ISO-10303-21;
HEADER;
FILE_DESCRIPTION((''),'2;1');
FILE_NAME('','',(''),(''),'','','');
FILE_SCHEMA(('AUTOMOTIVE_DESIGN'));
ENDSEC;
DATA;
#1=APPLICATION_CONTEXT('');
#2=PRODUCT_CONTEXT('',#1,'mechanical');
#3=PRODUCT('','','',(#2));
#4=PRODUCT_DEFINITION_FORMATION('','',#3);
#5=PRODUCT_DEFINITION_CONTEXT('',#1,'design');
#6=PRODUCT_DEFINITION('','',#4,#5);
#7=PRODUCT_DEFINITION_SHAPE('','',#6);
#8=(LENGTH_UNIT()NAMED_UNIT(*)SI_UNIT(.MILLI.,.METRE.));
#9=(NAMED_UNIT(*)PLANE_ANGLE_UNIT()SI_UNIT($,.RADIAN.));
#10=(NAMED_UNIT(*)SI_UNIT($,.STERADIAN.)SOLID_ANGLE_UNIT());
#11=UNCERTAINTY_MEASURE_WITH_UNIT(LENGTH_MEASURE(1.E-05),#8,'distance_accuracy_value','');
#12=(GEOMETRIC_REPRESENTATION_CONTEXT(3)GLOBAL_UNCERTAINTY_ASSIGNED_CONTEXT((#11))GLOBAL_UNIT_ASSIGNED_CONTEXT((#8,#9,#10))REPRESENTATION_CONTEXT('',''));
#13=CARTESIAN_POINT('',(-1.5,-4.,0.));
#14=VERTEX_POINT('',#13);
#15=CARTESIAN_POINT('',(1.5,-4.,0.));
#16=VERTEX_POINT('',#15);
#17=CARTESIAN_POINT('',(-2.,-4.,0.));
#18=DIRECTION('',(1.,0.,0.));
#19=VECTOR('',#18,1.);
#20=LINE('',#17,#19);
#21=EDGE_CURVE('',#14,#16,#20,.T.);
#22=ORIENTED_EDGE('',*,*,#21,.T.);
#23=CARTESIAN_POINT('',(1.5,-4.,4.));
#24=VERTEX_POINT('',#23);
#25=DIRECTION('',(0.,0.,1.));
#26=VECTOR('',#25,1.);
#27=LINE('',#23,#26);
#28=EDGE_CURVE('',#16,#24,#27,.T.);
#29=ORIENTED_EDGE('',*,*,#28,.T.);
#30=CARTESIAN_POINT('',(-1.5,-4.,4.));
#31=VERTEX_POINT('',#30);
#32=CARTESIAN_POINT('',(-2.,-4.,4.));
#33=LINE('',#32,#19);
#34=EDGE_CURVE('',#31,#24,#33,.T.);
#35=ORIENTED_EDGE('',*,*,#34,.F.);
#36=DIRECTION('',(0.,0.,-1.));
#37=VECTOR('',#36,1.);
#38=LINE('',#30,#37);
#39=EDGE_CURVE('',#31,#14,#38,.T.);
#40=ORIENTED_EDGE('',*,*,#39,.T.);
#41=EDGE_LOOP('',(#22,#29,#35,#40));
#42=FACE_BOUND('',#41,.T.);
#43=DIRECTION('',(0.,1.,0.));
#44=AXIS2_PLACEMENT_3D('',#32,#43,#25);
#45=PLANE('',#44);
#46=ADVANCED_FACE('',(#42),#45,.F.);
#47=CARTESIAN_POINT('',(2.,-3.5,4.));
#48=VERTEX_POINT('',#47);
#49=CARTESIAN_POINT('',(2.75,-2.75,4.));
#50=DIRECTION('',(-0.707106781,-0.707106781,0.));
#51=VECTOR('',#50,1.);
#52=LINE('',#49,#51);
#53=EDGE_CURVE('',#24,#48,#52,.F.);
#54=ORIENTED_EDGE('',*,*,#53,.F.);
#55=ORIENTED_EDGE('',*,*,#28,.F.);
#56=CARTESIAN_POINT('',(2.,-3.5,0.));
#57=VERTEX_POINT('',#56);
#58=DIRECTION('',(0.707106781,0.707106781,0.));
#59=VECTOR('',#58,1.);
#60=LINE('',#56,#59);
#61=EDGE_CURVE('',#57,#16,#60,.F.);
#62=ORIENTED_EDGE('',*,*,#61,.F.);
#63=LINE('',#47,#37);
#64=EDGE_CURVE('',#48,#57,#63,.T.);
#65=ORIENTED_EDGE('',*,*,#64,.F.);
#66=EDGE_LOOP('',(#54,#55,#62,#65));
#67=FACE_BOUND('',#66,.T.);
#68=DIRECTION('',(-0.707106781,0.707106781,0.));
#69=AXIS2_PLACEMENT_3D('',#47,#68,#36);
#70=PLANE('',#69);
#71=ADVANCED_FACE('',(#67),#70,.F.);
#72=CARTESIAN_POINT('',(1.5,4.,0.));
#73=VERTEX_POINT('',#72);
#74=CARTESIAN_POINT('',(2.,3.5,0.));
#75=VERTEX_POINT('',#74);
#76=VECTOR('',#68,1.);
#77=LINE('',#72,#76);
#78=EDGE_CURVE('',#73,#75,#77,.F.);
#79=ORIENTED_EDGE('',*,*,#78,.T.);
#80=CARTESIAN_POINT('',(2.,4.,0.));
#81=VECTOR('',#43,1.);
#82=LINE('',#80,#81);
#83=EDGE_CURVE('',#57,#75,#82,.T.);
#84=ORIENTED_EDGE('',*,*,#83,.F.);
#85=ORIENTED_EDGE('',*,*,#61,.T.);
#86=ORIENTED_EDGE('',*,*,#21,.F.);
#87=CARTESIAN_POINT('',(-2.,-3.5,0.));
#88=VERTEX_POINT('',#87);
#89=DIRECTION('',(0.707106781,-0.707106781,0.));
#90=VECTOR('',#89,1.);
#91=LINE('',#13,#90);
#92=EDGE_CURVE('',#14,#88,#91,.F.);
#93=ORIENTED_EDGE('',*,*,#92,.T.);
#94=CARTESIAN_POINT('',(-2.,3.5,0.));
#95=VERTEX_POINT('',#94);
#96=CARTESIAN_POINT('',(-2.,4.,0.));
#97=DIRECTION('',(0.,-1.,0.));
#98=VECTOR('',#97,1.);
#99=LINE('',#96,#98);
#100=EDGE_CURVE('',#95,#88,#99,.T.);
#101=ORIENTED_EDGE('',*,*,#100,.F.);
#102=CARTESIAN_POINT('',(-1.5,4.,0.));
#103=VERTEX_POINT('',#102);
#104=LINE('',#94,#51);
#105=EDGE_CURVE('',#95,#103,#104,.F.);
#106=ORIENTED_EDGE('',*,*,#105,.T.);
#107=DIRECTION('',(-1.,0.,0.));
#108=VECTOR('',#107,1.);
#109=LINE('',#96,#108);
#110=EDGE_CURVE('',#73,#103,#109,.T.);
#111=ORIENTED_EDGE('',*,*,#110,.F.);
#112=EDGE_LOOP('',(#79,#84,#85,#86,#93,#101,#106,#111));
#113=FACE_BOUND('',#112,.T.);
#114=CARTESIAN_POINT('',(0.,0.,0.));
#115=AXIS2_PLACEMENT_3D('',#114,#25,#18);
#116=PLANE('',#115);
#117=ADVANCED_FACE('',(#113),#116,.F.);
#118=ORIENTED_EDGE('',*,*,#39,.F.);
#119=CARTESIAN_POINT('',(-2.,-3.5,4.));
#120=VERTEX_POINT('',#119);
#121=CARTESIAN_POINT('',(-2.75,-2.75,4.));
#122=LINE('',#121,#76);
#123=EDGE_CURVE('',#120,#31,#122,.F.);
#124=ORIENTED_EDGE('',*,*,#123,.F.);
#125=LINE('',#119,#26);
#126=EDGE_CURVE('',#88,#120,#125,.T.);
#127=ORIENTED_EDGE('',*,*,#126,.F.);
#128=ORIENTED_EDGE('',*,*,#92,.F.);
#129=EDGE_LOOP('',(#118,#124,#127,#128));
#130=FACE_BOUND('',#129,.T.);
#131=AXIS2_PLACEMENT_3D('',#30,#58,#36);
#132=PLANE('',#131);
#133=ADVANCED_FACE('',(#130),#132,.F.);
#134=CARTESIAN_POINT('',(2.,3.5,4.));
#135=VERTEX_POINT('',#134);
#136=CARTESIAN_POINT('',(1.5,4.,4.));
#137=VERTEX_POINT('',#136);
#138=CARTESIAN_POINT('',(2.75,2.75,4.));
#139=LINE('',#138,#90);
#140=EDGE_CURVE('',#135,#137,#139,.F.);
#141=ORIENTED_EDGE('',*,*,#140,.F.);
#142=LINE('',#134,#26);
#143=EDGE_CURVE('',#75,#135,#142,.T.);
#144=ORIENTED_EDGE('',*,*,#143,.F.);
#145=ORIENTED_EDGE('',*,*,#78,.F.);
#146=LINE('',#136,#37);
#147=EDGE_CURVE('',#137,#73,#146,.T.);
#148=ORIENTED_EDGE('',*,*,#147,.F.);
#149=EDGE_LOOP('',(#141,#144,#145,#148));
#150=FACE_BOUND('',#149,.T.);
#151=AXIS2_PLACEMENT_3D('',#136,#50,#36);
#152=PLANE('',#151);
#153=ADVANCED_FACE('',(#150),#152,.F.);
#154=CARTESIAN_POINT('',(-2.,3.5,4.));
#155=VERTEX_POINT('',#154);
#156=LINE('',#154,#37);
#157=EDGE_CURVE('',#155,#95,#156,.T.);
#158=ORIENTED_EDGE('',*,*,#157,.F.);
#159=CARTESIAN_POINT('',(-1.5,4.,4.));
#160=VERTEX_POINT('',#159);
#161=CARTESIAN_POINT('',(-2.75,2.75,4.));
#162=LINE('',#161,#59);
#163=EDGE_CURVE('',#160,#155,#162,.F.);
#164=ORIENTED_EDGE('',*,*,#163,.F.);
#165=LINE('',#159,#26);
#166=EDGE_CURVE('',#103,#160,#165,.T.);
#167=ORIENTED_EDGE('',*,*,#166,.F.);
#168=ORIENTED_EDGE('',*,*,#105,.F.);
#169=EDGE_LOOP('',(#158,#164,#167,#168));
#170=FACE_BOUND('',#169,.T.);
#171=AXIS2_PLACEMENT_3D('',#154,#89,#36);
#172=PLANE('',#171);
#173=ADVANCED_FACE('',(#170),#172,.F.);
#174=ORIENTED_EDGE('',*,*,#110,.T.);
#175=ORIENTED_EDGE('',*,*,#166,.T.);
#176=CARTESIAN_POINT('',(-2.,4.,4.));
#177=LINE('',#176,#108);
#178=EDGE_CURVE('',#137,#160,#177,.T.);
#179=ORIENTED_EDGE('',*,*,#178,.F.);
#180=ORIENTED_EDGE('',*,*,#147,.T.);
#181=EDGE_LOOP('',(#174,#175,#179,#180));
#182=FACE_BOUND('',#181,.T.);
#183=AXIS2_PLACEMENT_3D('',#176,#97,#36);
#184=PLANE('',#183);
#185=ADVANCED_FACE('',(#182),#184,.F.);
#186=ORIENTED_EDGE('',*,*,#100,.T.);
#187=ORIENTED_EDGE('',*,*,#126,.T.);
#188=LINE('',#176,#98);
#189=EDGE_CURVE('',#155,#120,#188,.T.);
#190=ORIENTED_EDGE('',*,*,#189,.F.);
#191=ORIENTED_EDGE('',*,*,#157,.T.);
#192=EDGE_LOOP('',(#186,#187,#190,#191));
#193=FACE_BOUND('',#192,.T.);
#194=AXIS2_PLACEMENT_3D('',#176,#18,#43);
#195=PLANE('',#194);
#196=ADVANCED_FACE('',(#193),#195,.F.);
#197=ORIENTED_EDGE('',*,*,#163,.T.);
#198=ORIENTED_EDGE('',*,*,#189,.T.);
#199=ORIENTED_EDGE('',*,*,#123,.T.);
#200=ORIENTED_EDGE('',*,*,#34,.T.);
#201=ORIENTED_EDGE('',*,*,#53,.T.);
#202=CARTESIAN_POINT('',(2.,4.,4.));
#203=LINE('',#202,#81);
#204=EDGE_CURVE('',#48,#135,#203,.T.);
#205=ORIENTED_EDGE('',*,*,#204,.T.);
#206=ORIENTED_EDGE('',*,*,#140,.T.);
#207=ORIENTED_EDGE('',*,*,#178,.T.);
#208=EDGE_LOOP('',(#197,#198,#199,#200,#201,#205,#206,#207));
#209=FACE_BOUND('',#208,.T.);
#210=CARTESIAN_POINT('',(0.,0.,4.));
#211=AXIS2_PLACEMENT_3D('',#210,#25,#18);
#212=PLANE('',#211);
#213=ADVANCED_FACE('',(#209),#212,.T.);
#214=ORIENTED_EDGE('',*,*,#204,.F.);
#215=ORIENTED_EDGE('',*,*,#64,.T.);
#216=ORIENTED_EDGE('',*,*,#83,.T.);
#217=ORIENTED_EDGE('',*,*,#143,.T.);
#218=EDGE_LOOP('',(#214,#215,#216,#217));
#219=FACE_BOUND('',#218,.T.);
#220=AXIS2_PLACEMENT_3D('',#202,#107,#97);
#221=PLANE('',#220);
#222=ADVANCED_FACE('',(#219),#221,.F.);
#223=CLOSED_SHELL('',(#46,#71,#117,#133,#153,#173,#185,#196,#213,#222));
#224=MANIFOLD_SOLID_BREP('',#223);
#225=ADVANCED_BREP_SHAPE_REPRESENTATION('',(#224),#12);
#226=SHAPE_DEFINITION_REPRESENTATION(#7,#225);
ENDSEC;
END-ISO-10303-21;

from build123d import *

# Parameters (mm, degrees)
SKETCH1_W           = 4
SKETCH1_H           = 8
BOSS_EXTRUDE1_DEPTH = 4
CHAMFER1_SIZE       = 0.5


with BuildPart() as part:
    # Sketch1 → Boss-Extrude1 (new body)
    with BuildSketch(Plane.XY):
        Rectangle(SKETCH1_W, SKETCH1_H)
    extrude(amount=BOSS_EXTRUDE1_DEPTH)

    # Chamfer1
    chamfer1_edges = [part.edges().sort_by_distance(p)[0] for p in [
        (2, -4, 2),
        (-2, -4, 2),
        (-2, 4, 2),
        (2, 4, 2),
    ]]
    chamfer(chamfer1_edges, length=CHAMFER1_SIZE)


solid = part.part
